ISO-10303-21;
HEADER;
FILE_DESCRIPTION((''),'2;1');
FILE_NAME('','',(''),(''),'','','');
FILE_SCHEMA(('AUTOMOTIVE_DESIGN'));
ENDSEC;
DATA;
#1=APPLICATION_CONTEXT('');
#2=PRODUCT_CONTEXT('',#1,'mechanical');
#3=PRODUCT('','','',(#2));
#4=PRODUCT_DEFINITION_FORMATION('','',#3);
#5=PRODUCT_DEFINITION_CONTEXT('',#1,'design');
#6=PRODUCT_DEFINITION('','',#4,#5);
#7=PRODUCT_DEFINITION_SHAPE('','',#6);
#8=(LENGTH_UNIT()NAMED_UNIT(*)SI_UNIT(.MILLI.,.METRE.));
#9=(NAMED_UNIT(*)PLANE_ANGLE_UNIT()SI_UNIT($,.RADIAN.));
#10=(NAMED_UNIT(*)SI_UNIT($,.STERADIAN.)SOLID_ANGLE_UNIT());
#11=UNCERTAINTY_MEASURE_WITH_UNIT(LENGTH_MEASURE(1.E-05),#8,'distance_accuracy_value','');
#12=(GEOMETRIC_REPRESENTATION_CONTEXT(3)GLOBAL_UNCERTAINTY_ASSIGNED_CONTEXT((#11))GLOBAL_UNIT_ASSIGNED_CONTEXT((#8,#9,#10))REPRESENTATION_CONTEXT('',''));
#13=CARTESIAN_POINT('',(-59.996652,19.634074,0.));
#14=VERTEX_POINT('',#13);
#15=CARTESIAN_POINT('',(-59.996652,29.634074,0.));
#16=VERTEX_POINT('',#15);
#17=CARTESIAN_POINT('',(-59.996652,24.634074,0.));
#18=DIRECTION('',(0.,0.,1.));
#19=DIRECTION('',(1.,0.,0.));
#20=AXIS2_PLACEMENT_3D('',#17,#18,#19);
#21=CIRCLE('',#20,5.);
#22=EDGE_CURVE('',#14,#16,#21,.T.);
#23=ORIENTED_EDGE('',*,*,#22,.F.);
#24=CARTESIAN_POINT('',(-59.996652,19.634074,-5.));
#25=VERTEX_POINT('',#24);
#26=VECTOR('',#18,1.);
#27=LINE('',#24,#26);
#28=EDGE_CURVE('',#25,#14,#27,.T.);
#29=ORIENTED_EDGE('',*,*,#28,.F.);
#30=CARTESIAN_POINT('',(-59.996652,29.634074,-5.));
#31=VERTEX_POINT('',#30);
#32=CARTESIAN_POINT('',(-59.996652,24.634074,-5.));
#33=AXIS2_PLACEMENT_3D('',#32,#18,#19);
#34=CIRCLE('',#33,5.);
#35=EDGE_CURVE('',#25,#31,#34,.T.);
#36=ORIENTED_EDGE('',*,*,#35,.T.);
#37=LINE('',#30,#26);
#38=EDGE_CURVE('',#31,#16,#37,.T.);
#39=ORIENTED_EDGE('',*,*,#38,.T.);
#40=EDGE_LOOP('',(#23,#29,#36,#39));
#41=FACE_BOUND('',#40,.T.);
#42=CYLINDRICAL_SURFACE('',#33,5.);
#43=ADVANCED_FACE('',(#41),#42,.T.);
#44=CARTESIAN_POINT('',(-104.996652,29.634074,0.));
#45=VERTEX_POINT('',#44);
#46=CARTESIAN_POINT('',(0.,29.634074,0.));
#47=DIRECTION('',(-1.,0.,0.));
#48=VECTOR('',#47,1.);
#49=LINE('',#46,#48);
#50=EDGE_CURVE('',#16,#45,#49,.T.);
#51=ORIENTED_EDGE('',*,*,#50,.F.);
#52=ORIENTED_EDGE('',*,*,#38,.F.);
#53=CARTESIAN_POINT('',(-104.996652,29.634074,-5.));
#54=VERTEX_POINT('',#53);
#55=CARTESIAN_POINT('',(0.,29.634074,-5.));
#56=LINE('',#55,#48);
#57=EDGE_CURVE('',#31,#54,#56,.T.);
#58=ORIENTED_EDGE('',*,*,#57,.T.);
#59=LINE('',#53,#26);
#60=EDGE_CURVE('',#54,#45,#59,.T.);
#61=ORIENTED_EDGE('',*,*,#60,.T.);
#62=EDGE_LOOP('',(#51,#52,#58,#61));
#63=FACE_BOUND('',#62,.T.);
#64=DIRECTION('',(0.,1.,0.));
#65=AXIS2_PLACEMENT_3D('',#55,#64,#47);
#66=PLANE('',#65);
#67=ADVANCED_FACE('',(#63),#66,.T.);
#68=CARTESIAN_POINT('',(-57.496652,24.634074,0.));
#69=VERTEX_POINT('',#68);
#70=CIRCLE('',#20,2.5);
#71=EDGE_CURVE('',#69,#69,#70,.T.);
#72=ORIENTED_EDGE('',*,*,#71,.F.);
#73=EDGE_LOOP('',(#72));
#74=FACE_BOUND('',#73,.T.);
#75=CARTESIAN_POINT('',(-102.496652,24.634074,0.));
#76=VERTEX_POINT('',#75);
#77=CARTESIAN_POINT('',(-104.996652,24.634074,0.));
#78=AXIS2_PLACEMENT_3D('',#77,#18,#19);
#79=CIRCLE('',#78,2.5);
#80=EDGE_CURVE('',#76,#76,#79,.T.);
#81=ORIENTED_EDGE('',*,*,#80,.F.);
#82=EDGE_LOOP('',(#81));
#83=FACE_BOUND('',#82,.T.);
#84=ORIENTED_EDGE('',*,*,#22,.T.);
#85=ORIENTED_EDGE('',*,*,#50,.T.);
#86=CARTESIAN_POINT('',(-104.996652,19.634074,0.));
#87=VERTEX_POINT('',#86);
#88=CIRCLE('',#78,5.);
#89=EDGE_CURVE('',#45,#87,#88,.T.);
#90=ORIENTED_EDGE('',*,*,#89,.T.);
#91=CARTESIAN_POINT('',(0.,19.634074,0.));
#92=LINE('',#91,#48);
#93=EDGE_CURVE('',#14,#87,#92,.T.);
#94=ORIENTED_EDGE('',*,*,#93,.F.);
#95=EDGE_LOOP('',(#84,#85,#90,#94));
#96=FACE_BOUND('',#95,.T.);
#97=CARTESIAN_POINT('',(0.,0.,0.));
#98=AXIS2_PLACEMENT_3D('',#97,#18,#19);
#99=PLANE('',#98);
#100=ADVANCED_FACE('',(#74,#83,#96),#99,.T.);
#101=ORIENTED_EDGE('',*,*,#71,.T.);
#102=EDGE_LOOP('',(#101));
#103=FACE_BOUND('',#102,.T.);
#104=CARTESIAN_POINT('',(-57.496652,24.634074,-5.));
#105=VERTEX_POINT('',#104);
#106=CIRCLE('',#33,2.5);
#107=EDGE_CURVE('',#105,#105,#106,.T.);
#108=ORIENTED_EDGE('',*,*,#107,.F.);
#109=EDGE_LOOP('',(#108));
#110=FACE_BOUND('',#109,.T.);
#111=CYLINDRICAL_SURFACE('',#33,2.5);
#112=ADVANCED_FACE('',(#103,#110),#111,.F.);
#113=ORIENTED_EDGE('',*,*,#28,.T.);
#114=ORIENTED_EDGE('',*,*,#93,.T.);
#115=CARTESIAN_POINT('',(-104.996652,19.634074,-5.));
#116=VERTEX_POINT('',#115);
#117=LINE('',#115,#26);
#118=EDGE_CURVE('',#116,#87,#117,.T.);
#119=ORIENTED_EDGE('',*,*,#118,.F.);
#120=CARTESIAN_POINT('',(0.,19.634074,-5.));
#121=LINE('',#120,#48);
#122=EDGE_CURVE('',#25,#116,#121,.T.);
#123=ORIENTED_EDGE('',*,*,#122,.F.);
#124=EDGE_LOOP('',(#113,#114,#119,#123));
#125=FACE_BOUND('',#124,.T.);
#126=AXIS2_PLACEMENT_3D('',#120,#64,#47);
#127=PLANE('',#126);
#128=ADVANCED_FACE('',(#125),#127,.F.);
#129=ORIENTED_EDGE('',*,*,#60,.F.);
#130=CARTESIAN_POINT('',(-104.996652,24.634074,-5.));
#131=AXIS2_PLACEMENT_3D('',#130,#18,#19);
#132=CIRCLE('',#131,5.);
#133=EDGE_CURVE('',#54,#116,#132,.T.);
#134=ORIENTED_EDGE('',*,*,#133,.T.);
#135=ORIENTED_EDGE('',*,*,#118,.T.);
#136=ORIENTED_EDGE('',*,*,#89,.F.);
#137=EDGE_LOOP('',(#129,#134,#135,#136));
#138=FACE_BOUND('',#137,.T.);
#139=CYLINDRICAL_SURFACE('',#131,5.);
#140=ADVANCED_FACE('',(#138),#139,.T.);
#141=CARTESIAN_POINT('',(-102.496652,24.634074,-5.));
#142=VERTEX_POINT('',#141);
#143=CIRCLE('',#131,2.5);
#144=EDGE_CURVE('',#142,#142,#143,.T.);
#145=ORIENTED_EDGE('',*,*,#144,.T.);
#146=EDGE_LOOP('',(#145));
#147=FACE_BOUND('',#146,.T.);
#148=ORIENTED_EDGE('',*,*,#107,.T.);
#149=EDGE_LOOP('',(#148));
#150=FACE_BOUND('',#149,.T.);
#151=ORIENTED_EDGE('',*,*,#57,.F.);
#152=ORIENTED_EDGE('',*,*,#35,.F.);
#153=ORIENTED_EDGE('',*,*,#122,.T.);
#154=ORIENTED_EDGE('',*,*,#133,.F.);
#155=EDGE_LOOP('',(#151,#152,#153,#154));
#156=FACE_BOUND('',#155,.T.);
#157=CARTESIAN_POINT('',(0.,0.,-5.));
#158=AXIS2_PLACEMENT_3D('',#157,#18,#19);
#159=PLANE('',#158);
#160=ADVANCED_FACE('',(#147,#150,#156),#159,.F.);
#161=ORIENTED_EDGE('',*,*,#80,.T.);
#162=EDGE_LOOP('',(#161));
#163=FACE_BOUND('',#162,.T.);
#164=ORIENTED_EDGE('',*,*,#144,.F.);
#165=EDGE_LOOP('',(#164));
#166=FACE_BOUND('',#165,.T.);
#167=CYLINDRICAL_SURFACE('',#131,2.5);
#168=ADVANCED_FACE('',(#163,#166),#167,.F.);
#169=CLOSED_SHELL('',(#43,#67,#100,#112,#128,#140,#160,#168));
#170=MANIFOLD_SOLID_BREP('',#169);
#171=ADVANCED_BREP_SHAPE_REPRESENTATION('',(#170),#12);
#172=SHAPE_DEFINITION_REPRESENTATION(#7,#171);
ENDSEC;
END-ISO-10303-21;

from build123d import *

# Parameters (mm, degrees)
SKETCH1_R           = 2.5
BOSS_EXTRUDE1_DEPTH = 5


with BuildPart() as part:
    # Sketch1 → Boss-Extrude1 (new body)
    with BuildSketch(Plane.XY):
        with BuildLine():
            Line((-59.996652166, 19.634073567), (-104.996652166, 19.634073567))
            ThreePointArc((-104.996652166, 19.634073567), (-109.996652166, 24.634073567), (-104.996652166, 29.634073567))
            Line((-104.996652166, 29.634073567), (-59.996652166, 29.634073567))
            ThreePointArc((-59.996652166, 29.634073567), (-54.996652166, 24.634073567), (-59.996652166, 19.634073567))
        make_face()
        with Locations((-59.996652166, 24.634073567)):
            Circle(SKETCH1_R, mode=Mode.SUBTRACT)
        with Locations((-104.996652166, 24.634073567)):
            Circle(SKETCH1_R, mode=Mode.SUBTRACT)
    extrude(amount=-BOSS_EXTRUDE1_DEPTH)


solid = part.part
